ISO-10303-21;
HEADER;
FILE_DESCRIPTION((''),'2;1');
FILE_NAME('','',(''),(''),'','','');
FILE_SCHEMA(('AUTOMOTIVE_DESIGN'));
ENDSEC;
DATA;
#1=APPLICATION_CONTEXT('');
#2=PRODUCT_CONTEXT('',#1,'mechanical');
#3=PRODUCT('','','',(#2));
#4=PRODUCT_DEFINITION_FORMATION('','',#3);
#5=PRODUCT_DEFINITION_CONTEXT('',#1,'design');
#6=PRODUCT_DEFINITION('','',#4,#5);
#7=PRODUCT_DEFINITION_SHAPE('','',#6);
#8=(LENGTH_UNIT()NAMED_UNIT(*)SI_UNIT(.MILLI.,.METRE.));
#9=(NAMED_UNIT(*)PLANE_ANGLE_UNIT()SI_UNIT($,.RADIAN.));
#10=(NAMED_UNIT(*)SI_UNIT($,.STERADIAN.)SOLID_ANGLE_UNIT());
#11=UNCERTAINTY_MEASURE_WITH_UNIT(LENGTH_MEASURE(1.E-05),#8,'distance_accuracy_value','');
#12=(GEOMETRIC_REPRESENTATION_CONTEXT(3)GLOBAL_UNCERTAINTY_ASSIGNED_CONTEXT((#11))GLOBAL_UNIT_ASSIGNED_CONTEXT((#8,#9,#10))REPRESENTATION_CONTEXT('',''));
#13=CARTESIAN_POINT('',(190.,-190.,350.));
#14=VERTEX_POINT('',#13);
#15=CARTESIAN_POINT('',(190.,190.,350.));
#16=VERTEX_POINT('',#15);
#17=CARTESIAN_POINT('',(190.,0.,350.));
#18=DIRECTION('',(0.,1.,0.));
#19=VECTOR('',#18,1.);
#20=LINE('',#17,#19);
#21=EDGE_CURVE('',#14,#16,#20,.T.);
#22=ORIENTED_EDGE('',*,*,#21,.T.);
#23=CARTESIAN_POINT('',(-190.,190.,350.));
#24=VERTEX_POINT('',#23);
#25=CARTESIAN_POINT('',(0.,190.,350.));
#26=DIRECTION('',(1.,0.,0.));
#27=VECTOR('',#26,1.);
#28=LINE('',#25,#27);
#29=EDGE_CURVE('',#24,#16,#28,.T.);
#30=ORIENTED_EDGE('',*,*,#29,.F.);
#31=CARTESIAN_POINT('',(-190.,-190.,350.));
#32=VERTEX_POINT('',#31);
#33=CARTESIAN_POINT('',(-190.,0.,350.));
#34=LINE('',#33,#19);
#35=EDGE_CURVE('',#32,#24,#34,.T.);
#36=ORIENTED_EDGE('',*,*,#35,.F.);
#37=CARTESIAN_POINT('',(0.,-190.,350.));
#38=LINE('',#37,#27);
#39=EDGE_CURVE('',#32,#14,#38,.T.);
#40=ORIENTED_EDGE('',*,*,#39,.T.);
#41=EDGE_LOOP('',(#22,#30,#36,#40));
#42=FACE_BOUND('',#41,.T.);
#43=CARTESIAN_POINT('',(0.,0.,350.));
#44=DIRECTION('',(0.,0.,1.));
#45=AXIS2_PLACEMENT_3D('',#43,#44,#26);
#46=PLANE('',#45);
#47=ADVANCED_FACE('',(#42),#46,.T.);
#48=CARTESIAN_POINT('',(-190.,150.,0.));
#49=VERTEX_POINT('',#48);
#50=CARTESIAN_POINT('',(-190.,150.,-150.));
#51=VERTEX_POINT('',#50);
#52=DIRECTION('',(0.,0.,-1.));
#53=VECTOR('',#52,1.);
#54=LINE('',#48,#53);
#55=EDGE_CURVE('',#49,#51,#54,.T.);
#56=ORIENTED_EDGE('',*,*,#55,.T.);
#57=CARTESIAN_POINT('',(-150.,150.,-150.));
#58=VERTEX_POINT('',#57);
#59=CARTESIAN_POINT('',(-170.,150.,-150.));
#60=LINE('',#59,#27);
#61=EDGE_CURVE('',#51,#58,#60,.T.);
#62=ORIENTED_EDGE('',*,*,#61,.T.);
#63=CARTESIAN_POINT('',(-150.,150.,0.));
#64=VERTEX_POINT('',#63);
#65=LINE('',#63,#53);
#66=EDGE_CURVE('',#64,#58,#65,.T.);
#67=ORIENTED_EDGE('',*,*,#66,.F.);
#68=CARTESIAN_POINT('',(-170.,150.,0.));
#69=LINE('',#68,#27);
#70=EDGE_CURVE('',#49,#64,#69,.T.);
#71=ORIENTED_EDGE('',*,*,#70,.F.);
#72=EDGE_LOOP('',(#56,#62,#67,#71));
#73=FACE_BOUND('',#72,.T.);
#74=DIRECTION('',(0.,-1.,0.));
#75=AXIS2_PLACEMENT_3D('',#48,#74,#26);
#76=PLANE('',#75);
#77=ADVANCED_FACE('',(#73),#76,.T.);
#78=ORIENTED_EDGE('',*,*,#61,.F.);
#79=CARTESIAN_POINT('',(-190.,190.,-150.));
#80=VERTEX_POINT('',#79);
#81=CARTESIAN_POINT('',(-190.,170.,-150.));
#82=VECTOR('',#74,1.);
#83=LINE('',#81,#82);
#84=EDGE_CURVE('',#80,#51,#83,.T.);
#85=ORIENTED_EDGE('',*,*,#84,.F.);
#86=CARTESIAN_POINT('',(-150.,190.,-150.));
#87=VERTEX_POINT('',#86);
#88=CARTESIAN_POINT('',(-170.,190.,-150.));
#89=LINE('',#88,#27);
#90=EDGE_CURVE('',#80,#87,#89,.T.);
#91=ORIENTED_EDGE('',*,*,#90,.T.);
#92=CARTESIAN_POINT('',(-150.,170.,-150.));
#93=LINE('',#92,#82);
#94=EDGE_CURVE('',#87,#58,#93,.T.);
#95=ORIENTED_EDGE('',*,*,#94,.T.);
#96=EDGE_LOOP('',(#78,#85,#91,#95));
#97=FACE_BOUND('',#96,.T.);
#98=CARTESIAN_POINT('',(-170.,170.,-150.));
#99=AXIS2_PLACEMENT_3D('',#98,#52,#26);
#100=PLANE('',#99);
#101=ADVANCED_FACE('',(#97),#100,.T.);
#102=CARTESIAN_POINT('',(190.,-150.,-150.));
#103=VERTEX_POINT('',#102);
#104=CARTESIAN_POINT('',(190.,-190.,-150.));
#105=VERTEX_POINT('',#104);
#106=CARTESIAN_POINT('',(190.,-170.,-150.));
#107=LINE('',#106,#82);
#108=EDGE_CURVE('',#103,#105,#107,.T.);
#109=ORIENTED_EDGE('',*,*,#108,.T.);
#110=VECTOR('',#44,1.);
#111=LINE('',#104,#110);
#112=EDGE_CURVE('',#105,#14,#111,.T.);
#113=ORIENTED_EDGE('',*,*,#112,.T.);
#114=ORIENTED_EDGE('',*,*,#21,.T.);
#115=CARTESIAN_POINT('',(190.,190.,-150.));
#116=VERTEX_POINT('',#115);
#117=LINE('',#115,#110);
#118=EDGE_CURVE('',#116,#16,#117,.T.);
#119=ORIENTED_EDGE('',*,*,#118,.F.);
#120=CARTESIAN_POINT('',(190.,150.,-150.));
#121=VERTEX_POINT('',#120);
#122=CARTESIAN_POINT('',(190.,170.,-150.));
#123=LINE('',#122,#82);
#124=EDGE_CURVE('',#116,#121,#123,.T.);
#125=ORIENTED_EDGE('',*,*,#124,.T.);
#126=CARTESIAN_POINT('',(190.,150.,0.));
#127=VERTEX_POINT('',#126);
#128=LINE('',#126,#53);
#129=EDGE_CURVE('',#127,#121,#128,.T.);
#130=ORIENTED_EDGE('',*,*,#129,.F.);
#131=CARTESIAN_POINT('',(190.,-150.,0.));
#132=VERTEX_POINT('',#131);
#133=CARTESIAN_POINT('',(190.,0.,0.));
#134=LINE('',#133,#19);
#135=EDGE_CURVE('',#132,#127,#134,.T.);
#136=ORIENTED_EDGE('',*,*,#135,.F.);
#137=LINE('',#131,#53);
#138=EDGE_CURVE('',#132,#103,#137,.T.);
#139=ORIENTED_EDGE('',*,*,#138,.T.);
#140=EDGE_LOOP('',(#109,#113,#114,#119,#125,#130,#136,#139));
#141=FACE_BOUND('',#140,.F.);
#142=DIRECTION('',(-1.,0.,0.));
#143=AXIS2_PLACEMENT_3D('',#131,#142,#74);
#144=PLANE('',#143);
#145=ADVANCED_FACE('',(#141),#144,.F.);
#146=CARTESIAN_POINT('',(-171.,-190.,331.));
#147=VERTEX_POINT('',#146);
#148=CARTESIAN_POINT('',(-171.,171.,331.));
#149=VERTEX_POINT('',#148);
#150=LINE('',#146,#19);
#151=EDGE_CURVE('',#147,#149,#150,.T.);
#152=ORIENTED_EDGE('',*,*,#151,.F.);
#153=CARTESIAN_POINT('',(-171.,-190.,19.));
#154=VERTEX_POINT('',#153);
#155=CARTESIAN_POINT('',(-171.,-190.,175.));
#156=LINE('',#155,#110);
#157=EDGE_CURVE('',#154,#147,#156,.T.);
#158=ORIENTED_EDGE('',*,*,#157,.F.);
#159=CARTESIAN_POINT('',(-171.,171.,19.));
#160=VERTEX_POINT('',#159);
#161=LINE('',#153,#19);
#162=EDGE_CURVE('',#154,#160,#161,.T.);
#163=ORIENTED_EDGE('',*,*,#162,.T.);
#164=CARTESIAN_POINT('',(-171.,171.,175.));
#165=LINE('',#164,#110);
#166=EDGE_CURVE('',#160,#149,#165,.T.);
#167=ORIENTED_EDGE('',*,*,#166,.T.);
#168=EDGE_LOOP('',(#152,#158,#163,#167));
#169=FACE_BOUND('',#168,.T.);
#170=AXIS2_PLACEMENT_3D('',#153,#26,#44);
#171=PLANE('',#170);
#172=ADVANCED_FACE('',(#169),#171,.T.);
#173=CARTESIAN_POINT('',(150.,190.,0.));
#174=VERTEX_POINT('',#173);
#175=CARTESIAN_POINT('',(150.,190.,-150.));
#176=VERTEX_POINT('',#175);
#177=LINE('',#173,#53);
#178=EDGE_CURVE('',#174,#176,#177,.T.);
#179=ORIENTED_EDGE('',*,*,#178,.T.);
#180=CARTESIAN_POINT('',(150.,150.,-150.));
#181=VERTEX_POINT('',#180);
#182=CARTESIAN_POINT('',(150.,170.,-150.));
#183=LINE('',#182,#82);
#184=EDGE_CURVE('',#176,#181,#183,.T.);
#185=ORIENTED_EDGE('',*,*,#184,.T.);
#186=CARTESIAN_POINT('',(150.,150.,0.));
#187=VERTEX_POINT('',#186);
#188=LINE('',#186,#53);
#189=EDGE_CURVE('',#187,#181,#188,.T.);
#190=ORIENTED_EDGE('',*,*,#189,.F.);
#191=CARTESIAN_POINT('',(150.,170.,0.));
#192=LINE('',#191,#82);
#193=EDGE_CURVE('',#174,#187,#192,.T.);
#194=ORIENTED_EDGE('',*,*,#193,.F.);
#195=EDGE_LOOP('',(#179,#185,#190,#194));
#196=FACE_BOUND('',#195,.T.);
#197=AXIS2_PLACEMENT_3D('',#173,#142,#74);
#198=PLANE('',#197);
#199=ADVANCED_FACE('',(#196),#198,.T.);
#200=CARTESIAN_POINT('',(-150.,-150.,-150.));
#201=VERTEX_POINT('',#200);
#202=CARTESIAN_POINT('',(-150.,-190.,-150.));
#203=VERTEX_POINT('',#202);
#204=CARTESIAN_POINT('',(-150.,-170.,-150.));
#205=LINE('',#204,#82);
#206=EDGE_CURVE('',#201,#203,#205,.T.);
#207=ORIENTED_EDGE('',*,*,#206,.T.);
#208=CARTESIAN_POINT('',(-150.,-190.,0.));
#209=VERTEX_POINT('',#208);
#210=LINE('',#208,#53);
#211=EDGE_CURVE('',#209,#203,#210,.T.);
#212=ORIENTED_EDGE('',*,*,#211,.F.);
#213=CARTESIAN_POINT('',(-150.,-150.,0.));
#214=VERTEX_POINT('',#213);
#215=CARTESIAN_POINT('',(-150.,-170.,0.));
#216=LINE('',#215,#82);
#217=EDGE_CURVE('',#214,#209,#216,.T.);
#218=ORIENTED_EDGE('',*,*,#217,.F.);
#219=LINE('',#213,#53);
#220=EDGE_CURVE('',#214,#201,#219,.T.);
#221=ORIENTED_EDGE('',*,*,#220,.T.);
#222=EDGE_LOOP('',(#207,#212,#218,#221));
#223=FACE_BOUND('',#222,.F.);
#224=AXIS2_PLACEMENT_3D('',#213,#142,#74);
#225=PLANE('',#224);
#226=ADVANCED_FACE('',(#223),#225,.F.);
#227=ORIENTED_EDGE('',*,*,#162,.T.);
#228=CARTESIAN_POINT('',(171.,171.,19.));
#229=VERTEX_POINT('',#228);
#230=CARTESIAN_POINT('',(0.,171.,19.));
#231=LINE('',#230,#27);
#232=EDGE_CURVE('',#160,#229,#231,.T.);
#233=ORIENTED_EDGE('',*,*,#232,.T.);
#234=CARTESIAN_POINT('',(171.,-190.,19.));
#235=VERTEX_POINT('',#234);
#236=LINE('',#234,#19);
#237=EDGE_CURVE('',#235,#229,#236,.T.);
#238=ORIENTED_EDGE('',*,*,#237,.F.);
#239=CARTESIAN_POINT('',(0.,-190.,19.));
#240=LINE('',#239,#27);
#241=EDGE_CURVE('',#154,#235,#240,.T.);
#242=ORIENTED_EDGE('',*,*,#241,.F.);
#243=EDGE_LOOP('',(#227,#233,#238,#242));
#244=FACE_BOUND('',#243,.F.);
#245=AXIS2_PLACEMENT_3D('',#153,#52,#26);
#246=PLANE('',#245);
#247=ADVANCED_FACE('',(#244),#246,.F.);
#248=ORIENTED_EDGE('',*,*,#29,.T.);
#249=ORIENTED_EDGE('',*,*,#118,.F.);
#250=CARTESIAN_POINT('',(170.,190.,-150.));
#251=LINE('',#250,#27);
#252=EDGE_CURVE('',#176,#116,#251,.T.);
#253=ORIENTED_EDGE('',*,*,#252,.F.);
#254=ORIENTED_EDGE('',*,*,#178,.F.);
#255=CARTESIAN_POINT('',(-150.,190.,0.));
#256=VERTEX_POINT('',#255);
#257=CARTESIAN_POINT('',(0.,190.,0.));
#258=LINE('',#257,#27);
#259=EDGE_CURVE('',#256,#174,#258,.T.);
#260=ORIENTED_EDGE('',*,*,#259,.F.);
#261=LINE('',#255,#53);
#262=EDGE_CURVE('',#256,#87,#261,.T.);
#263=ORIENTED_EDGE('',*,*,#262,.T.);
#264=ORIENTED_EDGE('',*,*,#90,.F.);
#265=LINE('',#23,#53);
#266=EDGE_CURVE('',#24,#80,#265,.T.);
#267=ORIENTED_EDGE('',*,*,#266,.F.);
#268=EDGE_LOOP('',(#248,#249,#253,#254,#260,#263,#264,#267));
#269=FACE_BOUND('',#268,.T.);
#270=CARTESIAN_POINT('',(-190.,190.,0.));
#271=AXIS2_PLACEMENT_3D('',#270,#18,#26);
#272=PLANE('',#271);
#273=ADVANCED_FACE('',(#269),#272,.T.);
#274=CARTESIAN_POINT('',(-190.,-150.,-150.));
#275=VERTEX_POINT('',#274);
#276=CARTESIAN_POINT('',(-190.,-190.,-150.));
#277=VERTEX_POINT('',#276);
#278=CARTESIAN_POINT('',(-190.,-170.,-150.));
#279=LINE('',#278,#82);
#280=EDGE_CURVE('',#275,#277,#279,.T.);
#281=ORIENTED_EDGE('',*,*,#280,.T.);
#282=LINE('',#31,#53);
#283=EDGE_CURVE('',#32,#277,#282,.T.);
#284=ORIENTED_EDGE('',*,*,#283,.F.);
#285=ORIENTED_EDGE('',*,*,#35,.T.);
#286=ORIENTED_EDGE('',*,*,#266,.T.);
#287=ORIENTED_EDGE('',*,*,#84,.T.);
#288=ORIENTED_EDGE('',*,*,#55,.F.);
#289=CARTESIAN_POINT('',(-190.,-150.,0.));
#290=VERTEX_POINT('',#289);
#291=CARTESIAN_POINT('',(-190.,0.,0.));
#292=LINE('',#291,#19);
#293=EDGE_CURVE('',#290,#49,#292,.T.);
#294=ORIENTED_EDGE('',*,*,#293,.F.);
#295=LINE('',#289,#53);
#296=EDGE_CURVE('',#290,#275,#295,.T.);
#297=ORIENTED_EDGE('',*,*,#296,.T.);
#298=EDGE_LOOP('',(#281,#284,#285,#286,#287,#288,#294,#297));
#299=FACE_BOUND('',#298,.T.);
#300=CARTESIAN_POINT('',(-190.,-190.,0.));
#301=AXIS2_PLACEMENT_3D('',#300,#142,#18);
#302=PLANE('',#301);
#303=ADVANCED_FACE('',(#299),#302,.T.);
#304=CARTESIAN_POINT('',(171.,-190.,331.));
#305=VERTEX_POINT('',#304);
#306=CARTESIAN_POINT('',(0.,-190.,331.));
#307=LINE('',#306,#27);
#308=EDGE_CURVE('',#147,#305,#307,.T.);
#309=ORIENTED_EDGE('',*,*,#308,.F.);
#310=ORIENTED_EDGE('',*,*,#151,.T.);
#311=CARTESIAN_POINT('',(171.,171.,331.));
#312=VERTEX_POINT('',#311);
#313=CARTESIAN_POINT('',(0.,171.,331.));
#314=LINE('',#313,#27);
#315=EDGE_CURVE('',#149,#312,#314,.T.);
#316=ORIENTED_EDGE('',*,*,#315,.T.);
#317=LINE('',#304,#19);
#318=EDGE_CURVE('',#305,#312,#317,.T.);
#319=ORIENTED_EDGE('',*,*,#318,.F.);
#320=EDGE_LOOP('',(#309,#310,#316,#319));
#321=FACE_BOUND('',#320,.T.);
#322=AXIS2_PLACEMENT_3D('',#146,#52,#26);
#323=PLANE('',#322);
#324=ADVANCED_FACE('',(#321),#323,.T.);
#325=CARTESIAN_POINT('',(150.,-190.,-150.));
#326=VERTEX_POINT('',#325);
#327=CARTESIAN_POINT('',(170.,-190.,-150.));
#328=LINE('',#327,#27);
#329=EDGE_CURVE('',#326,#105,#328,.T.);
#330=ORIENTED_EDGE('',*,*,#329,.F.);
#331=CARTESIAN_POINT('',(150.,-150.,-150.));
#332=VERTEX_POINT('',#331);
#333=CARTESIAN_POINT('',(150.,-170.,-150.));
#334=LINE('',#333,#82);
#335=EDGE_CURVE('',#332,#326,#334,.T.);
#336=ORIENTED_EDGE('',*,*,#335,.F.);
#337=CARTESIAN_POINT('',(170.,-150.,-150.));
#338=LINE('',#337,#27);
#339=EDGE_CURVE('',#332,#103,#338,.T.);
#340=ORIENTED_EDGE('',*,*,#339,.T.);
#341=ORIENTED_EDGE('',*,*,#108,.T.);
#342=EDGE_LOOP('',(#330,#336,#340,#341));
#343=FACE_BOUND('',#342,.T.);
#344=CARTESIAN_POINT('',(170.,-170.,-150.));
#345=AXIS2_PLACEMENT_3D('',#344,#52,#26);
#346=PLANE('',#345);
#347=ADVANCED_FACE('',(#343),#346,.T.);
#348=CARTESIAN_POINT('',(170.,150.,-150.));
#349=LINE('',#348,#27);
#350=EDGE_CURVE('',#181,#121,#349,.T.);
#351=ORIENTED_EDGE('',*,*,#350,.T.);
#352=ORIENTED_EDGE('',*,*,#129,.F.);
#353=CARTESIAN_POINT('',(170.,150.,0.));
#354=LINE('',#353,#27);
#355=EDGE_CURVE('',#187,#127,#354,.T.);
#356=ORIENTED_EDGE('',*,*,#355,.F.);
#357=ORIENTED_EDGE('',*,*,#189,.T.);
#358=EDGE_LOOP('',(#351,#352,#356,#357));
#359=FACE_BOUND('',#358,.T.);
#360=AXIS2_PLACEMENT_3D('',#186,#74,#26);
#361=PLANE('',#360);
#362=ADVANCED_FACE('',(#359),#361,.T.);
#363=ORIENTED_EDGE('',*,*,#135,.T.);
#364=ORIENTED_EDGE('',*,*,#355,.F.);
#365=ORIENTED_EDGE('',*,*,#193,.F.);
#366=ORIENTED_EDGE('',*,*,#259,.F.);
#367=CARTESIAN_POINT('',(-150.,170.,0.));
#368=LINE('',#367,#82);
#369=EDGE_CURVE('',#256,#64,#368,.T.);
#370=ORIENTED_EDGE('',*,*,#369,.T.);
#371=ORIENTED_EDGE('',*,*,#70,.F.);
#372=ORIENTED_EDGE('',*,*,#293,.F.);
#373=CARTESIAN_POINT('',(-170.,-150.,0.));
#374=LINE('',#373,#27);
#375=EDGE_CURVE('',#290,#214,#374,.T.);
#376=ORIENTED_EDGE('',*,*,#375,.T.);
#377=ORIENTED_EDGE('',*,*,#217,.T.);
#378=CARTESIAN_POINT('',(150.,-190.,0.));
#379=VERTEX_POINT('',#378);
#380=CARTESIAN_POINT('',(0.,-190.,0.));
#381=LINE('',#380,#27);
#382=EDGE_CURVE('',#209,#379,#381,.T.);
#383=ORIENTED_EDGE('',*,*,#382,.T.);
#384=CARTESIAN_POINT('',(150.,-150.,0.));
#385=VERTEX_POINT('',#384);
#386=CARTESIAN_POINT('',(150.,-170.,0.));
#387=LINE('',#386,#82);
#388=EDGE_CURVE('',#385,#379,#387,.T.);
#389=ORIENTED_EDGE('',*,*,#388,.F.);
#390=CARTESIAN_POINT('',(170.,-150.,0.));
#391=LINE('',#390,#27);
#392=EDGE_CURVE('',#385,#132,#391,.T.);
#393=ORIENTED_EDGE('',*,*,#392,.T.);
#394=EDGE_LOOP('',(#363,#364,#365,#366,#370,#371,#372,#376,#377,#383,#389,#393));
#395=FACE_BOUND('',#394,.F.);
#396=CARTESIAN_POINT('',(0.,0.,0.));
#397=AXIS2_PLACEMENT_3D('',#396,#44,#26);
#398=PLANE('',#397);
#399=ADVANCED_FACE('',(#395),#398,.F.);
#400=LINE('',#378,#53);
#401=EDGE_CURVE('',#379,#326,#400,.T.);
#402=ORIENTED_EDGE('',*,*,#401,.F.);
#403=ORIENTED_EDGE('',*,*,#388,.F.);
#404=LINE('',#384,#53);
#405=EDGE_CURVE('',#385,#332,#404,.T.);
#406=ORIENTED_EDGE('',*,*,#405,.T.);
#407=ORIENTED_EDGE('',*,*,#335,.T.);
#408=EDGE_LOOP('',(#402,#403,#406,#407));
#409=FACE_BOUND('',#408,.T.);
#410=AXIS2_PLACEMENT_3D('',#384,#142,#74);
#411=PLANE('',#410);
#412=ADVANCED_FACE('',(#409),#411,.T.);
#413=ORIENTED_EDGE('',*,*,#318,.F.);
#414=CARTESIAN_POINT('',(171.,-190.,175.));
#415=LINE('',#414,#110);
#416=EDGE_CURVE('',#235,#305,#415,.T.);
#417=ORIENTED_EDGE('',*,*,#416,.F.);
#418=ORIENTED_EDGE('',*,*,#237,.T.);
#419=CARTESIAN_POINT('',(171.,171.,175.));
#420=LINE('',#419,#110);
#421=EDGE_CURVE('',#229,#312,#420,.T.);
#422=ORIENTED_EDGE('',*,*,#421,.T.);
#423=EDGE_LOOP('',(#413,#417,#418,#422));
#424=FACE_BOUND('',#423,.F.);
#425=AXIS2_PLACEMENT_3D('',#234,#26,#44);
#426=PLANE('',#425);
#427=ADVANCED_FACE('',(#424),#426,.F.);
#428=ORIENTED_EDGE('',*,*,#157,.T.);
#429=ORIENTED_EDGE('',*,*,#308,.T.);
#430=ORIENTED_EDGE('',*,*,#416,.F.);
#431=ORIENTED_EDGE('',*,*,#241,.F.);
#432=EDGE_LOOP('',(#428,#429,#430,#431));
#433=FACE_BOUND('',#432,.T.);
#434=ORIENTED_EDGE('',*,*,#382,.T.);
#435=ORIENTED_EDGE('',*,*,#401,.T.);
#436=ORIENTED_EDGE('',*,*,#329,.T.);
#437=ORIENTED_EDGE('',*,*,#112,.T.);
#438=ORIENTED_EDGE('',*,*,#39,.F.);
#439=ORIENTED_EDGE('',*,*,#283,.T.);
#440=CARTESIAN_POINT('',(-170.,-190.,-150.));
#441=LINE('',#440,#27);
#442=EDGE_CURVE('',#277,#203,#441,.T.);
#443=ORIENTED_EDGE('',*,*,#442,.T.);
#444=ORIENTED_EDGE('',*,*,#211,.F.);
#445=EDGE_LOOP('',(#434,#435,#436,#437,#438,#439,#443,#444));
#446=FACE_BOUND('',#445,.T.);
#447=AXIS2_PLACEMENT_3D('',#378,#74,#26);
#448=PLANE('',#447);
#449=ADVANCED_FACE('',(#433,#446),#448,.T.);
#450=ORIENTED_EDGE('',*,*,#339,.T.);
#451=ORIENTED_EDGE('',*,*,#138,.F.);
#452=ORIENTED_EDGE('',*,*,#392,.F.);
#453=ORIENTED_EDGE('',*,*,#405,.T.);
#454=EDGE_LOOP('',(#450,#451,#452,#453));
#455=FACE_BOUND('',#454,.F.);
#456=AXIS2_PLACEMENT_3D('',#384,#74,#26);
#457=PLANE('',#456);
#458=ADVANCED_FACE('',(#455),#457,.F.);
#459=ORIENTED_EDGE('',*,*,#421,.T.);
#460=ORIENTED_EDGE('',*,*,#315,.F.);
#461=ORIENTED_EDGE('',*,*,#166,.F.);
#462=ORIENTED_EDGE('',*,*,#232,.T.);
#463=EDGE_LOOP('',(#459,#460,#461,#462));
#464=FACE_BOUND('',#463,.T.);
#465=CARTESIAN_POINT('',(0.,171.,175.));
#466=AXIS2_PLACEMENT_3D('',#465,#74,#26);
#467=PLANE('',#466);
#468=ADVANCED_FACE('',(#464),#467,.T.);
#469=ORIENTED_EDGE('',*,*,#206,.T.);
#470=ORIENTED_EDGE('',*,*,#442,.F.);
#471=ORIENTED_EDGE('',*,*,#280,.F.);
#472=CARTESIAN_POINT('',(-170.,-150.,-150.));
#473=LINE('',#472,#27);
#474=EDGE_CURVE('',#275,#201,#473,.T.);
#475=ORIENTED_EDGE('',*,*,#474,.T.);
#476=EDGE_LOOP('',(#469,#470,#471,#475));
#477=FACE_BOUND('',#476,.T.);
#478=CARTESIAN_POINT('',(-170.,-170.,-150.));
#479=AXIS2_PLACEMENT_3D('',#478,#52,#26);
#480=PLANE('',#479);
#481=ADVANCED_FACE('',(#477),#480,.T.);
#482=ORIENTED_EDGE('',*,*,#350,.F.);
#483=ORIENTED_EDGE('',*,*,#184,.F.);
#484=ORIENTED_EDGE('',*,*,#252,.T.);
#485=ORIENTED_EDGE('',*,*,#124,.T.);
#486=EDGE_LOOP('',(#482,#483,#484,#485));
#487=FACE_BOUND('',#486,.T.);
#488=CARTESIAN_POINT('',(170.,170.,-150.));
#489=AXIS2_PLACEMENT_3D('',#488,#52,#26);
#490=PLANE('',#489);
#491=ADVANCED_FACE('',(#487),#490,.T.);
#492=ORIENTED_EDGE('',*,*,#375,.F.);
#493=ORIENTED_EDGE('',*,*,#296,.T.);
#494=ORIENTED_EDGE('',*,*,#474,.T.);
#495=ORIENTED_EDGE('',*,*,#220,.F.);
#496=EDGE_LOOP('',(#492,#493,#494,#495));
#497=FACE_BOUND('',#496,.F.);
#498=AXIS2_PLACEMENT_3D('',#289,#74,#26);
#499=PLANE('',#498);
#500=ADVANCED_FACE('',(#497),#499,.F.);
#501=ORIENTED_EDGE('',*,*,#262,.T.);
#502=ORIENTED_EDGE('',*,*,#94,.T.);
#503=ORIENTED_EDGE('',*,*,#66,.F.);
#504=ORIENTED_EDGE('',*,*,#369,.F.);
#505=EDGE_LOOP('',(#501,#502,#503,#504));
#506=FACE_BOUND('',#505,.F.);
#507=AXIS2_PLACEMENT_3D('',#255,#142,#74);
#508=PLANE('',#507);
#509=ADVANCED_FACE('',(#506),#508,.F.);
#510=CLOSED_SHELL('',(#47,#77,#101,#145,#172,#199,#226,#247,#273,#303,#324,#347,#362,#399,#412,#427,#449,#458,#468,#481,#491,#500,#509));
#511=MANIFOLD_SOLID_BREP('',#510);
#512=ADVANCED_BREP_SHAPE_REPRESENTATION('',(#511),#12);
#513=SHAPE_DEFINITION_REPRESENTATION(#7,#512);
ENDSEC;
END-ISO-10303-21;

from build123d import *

# Parameters (mm, degrees)
F0_W     = 380
F0_H     = 380
F1_DEPTH = 350
F2_W     = 342
F2_H     = 312
F3_DEPTH = 361
F4_W     = 40
F4_H     = 40
F5_DEPTH = 150


with BuildPart() as f1:
    # F0 (on Top) → F1 (new body)
    with BuildSketch(Plane.XY):
        Rectangle(F0_W, F0_H)
    extrude(amount=F1_DEPTH)

    # F2 (on face) → F3 (cut)
    with BuildSketch(Plane.XZ.offset(190)):
        with Locations((0, 175)):
            Rectangle(F2_W, F2_H)
    extrude(amount=-F3_DEPTH, mode=Mode.SUBTRACT)

    # F4 (on face) → F5 (join)
    with BuildSketch(Plane(origin=(0, 0, 0), x_dir=(1, 0, 0), z_dir=(0, 0, -1))):
        with Locations((170, 170)):
            Rectangle(F4_W, F4_H)
        with Locations((-170, 170)):
            Rectangle(F4_W, F4_H)
        with Locations((-170, -170)):
            Rectangle(F4_W, F4_H)
        with Locations((170, -170)):
            Rectangle(F4_W, F4_H)
    extrude(amount=F5_DEPTH)


solid = f1.part
